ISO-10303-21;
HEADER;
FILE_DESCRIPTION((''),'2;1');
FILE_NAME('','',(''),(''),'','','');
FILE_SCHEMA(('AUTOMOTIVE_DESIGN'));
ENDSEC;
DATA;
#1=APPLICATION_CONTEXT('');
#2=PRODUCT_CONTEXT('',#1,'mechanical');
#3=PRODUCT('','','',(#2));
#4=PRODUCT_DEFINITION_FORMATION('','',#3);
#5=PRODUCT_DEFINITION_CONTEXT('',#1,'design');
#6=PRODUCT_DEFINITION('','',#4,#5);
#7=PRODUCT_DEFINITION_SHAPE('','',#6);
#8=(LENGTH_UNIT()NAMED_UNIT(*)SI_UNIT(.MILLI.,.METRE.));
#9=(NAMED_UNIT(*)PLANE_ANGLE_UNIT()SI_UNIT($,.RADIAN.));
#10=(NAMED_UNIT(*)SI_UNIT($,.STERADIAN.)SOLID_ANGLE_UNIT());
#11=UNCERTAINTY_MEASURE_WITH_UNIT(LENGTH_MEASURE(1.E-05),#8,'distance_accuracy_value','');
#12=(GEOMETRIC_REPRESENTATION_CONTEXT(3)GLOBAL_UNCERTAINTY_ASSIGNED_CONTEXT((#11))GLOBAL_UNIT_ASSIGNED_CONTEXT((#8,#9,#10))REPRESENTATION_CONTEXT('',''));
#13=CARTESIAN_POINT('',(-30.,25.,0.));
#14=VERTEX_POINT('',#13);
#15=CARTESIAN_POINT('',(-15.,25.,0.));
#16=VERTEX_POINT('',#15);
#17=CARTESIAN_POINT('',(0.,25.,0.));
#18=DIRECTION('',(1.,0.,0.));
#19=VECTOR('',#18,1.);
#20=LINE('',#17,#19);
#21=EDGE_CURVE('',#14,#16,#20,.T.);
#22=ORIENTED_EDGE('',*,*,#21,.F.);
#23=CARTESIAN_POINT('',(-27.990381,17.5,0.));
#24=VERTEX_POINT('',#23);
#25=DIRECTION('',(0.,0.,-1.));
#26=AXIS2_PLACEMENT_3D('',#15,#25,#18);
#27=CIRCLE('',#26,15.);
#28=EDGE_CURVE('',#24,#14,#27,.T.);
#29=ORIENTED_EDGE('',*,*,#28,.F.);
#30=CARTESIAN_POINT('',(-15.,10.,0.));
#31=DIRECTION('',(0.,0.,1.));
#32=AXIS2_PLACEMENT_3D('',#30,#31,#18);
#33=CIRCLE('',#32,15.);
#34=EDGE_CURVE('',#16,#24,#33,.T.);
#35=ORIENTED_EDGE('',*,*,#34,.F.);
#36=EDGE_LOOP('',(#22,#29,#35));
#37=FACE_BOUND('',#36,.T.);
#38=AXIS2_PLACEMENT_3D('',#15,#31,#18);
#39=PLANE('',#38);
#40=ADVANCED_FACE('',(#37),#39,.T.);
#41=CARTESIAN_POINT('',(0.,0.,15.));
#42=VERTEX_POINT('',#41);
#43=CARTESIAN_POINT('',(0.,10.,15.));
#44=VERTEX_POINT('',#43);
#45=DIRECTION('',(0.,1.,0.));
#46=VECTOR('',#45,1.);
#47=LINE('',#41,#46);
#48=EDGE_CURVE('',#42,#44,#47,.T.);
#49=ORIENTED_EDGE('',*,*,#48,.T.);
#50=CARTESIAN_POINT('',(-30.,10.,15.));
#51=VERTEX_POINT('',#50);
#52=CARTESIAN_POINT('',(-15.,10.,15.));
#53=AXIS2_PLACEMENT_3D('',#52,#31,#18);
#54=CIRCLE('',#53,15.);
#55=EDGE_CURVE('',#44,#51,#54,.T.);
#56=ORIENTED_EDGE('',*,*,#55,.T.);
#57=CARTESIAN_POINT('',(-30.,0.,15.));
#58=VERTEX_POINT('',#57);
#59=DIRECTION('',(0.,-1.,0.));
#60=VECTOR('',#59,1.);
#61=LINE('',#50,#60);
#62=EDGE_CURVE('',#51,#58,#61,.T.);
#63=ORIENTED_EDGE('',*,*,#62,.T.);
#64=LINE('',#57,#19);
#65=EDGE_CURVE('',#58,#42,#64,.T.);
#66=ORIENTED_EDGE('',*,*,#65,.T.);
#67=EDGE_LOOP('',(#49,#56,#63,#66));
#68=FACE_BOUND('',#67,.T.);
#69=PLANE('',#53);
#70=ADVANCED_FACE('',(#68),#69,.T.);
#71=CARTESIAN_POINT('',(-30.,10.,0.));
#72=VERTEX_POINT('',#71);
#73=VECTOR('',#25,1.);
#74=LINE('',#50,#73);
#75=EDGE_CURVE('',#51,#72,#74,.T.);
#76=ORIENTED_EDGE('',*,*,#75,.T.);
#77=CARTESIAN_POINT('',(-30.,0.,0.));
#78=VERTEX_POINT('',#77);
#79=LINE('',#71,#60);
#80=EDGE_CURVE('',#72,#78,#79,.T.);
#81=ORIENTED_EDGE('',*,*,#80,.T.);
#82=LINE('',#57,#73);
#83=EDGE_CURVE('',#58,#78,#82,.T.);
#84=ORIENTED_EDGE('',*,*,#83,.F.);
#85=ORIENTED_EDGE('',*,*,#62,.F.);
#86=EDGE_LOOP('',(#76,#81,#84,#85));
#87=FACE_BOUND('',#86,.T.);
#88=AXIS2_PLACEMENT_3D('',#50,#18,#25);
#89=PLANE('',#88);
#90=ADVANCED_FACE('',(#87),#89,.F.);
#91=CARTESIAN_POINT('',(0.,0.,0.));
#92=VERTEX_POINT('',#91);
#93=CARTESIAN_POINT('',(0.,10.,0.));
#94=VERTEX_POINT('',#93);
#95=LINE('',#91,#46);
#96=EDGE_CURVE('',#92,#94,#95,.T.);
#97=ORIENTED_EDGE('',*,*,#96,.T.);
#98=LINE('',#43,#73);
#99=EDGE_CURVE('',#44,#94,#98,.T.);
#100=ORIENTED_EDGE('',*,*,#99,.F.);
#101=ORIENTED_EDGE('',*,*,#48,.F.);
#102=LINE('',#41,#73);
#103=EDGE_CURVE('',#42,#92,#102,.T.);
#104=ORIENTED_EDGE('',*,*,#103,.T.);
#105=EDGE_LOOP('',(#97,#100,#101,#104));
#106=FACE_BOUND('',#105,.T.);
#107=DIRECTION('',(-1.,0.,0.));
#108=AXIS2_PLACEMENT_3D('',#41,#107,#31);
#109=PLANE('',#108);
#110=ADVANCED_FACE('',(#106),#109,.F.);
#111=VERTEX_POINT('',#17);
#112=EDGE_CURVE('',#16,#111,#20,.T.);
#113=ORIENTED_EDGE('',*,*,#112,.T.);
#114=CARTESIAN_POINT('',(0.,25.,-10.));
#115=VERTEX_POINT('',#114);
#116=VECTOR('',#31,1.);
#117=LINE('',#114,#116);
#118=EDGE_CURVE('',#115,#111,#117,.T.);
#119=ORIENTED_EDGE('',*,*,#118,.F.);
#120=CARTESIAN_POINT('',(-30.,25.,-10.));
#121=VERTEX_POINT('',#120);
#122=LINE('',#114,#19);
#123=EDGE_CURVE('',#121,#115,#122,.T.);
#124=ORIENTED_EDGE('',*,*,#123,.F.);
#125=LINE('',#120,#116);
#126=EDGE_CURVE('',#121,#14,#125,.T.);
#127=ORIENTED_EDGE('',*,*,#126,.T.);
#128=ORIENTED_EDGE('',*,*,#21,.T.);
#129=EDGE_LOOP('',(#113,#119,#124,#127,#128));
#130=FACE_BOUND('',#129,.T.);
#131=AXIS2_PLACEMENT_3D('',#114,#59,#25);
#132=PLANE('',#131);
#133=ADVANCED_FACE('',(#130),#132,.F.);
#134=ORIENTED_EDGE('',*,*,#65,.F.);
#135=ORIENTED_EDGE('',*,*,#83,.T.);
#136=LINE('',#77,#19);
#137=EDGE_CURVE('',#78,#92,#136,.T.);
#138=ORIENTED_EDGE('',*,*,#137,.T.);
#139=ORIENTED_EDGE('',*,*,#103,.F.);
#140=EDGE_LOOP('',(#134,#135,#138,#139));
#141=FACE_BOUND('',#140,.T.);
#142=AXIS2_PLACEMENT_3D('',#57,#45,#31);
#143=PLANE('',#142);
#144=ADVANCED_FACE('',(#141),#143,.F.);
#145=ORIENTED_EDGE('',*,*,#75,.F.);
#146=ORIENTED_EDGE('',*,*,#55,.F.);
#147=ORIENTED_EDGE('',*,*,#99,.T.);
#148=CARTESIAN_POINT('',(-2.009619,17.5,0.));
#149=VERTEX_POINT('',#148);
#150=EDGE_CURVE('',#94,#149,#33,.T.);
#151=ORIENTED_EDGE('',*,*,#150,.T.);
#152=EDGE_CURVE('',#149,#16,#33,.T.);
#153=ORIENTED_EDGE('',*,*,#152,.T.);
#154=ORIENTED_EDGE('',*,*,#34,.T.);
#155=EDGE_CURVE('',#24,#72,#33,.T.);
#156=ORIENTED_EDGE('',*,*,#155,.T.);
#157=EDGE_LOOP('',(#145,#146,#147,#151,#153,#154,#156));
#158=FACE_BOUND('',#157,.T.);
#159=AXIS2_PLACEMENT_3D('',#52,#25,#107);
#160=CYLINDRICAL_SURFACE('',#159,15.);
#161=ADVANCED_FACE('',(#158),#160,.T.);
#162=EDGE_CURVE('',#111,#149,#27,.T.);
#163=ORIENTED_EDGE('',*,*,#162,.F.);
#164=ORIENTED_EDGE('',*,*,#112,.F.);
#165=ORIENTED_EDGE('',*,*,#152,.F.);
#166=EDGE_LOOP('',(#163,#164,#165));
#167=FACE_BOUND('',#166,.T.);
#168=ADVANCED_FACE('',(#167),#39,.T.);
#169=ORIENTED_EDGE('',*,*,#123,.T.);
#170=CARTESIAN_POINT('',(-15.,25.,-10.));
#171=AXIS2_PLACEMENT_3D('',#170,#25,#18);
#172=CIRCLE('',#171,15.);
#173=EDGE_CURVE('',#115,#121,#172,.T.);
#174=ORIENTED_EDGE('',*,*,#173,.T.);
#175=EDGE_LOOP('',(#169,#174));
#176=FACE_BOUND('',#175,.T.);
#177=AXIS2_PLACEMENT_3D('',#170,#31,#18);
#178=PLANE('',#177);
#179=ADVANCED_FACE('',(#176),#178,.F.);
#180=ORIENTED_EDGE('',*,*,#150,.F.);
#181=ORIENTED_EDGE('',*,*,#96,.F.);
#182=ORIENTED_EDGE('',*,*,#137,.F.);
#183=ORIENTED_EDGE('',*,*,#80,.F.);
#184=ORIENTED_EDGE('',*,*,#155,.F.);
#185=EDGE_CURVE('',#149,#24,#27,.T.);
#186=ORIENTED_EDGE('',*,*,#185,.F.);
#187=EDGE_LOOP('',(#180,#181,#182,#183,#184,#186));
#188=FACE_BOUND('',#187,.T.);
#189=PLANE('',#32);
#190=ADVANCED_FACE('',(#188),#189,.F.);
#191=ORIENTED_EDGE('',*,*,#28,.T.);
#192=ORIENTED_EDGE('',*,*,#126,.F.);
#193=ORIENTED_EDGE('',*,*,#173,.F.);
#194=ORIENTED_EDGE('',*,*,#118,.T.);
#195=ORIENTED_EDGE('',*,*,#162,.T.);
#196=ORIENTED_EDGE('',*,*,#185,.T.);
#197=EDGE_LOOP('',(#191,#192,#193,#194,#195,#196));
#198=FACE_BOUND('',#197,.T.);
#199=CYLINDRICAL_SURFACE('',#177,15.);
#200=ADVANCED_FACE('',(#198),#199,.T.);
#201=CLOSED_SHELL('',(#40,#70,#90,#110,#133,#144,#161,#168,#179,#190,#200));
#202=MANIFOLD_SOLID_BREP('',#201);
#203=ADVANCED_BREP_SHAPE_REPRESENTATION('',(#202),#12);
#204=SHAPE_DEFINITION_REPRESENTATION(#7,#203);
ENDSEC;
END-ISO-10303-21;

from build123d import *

# Parameters (mm, degrees)
BOSS_EXTRUDE2_DEPTH = 15
BOSS_EXTRUDE3_DEPTH = 10


with BuildPart() as part:
    # Sketch1 → Boss-Extrude2 (new body)
    with BuildSketch(Plane.XY):
        with BuildLine():
            Line((-30, 10), (-30, 0))
            Line((-30, 0), (0, 0))
            Line((0, 0), (0, 10))
            ThreePointArc((0, 10), (-15, 25), (-30, 10))
        make_face()
    extrude(amount=BOSS_EXTRUDE2_DEPTH)

    # Sketch2 → Boss-Extrude3 (add)
    with BuildSketch(Plane(origin=(0, 0, 0), x_dir=(-1, 0, 0), z_dir=(0, 0, -1))):
        with BuildLine():
            Line((0, 25), (30, 25))
            ThreePointArc((30, 25), (15, 10), (0, 25))
        make_face()
    extrude(amount=BOSS_EXTRUDE3_DEPTH)


solid = part.part
